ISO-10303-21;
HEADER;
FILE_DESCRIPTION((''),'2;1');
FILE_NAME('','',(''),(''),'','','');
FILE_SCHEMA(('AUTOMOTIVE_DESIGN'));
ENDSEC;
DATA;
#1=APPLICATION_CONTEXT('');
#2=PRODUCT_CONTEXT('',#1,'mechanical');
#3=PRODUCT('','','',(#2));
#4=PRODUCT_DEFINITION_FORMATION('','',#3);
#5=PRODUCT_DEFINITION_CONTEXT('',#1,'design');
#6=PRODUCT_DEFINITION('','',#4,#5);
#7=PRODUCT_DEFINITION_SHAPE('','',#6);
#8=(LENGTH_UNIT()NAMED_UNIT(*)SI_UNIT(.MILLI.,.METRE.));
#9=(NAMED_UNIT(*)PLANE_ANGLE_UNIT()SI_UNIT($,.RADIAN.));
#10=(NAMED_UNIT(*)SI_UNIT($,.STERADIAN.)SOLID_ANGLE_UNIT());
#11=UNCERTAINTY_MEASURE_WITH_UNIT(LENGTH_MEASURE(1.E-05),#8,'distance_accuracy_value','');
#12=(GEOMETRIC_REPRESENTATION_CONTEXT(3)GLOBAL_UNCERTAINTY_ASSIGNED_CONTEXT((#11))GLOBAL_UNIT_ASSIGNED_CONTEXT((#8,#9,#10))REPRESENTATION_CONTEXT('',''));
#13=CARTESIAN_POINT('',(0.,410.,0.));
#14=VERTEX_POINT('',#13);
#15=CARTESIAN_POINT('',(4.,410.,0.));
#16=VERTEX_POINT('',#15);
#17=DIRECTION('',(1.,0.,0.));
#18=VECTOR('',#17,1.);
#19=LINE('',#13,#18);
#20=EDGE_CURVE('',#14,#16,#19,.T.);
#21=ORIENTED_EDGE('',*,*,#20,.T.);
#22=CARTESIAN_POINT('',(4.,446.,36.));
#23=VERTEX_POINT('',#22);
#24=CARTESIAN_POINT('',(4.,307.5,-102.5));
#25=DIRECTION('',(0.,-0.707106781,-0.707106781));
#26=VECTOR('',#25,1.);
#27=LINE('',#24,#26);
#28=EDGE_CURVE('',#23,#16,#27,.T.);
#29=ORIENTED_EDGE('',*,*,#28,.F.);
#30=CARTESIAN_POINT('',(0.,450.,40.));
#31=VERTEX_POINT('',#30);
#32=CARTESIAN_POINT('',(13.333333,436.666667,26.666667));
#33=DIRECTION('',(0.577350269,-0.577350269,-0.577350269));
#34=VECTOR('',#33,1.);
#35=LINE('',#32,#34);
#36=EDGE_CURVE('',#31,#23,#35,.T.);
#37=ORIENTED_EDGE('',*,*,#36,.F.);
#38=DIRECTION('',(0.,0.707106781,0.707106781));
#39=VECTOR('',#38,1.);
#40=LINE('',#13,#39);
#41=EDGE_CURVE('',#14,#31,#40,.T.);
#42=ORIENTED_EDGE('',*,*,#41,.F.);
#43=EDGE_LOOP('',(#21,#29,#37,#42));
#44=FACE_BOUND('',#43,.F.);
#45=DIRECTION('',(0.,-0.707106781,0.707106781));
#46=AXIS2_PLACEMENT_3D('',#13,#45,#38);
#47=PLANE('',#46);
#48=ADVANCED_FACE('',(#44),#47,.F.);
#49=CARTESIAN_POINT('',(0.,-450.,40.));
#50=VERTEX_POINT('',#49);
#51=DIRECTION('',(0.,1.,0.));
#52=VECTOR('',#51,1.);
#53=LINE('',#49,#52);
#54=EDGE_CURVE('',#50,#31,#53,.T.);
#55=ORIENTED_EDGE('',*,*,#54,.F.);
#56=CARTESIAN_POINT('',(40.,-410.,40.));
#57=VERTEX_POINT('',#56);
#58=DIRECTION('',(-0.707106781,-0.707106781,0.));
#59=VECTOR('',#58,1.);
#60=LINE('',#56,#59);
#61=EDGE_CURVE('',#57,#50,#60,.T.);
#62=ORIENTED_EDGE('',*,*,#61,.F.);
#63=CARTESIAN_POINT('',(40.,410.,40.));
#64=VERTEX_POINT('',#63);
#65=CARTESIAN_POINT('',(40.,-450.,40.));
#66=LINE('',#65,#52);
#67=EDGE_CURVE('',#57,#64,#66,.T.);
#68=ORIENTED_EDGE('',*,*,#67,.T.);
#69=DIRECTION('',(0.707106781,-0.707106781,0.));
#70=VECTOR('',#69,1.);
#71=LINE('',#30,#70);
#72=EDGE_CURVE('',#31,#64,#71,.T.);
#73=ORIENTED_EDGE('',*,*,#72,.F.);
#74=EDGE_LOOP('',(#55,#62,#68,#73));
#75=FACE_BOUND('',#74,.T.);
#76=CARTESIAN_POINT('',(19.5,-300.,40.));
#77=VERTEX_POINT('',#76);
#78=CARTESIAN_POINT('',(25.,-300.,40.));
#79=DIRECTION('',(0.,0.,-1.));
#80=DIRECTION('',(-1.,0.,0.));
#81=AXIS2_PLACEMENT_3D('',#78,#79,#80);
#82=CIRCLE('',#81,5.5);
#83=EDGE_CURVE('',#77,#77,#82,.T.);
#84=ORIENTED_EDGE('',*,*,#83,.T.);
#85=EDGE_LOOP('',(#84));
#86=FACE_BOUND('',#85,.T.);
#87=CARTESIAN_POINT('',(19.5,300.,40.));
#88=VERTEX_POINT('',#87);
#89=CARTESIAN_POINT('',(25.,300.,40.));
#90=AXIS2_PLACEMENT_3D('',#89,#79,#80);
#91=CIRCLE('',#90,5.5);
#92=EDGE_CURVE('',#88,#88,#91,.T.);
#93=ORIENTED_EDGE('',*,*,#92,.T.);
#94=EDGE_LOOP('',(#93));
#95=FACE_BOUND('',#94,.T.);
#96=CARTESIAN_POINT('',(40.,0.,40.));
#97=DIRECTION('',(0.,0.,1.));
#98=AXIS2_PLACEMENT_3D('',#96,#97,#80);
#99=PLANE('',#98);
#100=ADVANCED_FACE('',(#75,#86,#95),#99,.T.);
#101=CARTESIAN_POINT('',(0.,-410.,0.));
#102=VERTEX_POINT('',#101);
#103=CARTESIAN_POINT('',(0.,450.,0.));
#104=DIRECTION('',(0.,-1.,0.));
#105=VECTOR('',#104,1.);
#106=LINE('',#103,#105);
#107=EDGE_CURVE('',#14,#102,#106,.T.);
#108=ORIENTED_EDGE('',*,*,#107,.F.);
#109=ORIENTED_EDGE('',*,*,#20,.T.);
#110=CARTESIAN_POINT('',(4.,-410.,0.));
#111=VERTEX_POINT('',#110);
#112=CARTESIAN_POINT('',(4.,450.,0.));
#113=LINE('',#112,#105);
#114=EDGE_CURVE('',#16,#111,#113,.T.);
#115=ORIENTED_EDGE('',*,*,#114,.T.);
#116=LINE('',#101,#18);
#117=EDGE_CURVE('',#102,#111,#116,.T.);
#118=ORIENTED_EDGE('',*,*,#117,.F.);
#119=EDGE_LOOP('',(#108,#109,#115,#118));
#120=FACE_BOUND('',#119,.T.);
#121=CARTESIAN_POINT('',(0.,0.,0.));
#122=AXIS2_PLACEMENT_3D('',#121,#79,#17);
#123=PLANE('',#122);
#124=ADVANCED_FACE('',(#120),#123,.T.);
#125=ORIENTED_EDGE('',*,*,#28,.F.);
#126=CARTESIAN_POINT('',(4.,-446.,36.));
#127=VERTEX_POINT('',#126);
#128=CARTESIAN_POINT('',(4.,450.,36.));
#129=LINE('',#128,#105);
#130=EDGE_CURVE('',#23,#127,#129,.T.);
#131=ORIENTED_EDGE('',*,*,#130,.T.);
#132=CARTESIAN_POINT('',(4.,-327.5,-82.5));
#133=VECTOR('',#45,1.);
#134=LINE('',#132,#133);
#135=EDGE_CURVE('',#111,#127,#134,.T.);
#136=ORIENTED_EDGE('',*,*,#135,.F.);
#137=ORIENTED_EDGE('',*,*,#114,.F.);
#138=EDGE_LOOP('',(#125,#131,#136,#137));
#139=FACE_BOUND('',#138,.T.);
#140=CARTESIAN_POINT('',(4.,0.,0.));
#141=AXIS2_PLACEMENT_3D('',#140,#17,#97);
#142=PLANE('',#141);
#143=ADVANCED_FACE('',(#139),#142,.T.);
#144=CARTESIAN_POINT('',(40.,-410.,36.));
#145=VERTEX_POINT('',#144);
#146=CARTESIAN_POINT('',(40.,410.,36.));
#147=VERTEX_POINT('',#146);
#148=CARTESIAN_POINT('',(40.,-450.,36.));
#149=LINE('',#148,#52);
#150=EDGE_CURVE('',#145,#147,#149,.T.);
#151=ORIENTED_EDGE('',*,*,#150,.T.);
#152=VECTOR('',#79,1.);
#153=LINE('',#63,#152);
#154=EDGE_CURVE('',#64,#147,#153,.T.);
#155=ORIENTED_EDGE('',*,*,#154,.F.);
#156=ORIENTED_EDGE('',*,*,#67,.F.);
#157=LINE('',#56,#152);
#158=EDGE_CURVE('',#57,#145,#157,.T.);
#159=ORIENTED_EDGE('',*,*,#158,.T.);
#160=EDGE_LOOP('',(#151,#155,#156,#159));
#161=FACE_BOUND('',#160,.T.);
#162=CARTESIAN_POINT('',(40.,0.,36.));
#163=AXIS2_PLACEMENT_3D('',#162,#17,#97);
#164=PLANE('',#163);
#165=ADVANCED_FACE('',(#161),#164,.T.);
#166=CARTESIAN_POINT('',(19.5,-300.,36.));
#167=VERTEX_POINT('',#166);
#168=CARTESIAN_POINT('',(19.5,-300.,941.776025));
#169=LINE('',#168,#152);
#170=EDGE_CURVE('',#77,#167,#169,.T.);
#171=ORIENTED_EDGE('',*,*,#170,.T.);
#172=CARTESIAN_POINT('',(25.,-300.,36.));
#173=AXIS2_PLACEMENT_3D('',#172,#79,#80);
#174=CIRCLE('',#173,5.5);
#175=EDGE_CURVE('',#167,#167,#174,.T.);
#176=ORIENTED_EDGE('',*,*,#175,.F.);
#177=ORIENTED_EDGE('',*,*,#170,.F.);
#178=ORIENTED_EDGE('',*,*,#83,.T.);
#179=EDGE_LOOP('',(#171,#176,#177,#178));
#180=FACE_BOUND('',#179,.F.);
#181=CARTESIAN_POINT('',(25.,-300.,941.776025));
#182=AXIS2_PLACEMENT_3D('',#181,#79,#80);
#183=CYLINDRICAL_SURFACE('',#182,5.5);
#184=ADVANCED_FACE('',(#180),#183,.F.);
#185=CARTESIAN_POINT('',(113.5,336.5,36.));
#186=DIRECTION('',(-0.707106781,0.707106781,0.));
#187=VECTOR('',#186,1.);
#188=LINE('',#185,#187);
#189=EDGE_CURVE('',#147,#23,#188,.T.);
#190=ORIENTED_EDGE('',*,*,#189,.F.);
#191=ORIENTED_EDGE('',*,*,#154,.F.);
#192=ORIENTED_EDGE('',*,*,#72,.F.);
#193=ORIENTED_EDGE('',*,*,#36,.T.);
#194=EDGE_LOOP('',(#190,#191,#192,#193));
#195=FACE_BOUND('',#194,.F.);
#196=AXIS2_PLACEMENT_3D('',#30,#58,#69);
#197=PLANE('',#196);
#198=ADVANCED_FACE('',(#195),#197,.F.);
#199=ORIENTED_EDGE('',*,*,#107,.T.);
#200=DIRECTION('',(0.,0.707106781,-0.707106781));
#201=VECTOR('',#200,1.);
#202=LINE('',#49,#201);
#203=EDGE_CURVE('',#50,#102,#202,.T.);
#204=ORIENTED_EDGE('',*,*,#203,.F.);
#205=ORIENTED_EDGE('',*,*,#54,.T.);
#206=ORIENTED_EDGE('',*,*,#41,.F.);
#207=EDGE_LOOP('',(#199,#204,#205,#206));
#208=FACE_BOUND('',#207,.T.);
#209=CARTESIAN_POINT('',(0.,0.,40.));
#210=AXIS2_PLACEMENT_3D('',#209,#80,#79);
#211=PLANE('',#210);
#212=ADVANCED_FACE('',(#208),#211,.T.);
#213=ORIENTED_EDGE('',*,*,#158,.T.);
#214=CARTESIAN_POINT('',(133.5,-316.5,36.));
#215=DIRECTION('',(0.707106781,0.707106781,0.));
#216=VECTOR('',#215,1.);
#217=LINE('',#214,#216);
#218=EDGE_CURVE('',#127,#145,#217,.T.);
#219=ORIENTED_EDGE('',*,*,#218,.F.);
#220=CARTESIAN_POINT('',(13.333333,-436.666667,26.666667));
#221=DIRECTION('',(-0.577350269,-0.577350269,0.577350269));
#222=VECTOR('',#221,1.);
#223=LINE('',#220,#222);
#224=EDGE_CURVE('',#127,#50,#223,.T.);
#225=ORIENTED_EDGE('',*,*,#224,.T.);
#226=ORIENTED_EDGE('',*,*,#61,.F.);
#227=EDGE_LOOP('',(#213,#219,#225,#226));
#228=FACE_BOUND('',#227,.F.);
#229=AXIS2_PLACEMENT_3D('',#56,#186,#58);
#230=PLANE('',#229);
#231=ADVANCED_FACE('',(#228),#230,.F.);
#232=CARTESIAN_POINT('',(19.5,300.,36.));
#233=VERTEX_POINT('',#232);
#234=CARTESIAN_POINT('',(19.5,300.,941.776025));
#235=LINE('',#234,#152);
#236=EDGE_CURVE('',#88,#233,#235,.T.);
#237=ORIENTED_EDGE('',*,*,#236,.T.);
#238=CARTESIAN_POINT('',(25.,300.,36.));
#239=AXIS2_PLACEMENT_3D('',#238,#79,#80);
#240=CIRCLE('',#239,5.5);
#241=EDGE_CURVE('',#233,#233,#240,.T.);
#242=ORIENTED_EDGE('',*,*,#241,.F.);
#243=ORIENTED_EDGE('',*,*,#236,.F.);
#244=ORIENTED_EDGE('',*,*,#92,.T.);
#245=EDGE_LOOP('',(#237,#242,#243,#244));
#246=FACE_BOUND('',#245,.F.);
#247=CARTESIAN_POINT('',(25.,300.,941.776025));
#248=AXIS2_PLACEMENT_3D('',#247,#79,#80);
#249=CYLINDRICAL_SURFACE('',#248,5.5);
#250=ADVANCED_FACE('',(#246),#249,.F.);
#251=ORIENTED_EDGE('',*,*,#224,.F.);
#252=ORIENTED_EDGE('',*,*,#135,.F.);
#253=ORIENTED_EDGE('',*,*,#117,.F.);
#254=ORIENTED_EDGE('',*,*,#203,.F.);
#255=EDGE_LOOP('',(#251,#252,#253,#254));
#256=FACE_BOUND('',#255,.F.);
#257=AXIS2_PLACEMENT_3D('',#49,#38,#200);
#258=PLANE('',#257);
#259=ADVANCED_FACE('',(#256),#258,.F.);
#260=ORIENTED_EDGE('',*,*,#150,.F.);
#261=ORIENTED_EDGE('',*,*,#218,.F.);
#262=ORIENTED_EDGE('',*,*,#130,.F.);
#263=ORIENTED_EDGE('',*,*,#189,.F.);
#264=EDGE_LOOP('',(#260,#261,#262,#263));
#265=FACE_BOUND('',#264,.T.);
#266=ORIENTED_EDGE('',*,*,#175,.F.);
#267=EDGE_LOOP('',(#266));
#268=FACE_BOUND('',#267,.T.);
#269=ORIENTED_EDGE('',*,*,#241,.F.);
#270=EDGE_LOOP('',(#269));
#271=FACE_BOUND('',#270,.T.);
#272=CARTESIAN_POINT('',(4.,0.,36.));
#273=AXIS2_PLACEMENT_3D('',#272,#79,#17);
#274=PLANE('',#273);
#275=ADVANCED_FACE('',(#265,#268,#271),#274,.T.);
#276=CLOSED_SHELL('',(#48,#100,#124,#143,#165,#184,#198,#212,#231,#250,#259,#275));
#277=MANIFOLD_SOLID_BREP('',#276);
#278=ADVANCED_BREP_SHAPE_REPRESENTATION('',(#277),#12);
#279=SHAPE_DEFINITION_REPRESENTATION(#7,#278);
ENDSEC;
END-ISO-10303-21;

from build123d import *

# Parameters (mm, degrees)
F1_DEPTH = 450
F3_DEPTH = 40
F5_DEPTH = 40
F7_D     = 11


with BuildPart() as f1:
    # F0 (on Front) → F1 (new body, symmetric)
    with BuildSketch(Plane.XZ):
        Polygon((0, 40), (0, 0), (4, 0), (4, 36), (40, 36), (40, 40), align=None)
    extrude(amount=F1_DEPTH, both=True)

    # F2 (on face) → F3 (cut)
    with BuildSketch(Plane(origin=(0, 0, 0), x_dir=(0, -1, 0), z_dir=(-1, 0, 0))):
        Polygon((-410, 0), (-450, 40), (-450, 0), align=None)
        Polygon((450, 0), (450, 40), (410, 0), align=None)
    extrude(amount=-F3_DEPTH, mode=Mode.SUBTRACT)

    # F4 (on face) → F5 (cut)
    with BuildSketch(Plane.XY.offset(40)):
        Polygon((40, 450), (0, 450), (40, 410), align=None)
        Polygon((40, -410), (0, -450), (40, -450), align=None)
    extrude(amount=-F5_DEPTH, mode=Mode.SUBTRACT)

    # F7 (through all)
    with Locations(Plane.XY.offset(40)):
        with Locations((25, -300), (25, 300)):
            Hole(F7_D / 2)


solid = f1.part
